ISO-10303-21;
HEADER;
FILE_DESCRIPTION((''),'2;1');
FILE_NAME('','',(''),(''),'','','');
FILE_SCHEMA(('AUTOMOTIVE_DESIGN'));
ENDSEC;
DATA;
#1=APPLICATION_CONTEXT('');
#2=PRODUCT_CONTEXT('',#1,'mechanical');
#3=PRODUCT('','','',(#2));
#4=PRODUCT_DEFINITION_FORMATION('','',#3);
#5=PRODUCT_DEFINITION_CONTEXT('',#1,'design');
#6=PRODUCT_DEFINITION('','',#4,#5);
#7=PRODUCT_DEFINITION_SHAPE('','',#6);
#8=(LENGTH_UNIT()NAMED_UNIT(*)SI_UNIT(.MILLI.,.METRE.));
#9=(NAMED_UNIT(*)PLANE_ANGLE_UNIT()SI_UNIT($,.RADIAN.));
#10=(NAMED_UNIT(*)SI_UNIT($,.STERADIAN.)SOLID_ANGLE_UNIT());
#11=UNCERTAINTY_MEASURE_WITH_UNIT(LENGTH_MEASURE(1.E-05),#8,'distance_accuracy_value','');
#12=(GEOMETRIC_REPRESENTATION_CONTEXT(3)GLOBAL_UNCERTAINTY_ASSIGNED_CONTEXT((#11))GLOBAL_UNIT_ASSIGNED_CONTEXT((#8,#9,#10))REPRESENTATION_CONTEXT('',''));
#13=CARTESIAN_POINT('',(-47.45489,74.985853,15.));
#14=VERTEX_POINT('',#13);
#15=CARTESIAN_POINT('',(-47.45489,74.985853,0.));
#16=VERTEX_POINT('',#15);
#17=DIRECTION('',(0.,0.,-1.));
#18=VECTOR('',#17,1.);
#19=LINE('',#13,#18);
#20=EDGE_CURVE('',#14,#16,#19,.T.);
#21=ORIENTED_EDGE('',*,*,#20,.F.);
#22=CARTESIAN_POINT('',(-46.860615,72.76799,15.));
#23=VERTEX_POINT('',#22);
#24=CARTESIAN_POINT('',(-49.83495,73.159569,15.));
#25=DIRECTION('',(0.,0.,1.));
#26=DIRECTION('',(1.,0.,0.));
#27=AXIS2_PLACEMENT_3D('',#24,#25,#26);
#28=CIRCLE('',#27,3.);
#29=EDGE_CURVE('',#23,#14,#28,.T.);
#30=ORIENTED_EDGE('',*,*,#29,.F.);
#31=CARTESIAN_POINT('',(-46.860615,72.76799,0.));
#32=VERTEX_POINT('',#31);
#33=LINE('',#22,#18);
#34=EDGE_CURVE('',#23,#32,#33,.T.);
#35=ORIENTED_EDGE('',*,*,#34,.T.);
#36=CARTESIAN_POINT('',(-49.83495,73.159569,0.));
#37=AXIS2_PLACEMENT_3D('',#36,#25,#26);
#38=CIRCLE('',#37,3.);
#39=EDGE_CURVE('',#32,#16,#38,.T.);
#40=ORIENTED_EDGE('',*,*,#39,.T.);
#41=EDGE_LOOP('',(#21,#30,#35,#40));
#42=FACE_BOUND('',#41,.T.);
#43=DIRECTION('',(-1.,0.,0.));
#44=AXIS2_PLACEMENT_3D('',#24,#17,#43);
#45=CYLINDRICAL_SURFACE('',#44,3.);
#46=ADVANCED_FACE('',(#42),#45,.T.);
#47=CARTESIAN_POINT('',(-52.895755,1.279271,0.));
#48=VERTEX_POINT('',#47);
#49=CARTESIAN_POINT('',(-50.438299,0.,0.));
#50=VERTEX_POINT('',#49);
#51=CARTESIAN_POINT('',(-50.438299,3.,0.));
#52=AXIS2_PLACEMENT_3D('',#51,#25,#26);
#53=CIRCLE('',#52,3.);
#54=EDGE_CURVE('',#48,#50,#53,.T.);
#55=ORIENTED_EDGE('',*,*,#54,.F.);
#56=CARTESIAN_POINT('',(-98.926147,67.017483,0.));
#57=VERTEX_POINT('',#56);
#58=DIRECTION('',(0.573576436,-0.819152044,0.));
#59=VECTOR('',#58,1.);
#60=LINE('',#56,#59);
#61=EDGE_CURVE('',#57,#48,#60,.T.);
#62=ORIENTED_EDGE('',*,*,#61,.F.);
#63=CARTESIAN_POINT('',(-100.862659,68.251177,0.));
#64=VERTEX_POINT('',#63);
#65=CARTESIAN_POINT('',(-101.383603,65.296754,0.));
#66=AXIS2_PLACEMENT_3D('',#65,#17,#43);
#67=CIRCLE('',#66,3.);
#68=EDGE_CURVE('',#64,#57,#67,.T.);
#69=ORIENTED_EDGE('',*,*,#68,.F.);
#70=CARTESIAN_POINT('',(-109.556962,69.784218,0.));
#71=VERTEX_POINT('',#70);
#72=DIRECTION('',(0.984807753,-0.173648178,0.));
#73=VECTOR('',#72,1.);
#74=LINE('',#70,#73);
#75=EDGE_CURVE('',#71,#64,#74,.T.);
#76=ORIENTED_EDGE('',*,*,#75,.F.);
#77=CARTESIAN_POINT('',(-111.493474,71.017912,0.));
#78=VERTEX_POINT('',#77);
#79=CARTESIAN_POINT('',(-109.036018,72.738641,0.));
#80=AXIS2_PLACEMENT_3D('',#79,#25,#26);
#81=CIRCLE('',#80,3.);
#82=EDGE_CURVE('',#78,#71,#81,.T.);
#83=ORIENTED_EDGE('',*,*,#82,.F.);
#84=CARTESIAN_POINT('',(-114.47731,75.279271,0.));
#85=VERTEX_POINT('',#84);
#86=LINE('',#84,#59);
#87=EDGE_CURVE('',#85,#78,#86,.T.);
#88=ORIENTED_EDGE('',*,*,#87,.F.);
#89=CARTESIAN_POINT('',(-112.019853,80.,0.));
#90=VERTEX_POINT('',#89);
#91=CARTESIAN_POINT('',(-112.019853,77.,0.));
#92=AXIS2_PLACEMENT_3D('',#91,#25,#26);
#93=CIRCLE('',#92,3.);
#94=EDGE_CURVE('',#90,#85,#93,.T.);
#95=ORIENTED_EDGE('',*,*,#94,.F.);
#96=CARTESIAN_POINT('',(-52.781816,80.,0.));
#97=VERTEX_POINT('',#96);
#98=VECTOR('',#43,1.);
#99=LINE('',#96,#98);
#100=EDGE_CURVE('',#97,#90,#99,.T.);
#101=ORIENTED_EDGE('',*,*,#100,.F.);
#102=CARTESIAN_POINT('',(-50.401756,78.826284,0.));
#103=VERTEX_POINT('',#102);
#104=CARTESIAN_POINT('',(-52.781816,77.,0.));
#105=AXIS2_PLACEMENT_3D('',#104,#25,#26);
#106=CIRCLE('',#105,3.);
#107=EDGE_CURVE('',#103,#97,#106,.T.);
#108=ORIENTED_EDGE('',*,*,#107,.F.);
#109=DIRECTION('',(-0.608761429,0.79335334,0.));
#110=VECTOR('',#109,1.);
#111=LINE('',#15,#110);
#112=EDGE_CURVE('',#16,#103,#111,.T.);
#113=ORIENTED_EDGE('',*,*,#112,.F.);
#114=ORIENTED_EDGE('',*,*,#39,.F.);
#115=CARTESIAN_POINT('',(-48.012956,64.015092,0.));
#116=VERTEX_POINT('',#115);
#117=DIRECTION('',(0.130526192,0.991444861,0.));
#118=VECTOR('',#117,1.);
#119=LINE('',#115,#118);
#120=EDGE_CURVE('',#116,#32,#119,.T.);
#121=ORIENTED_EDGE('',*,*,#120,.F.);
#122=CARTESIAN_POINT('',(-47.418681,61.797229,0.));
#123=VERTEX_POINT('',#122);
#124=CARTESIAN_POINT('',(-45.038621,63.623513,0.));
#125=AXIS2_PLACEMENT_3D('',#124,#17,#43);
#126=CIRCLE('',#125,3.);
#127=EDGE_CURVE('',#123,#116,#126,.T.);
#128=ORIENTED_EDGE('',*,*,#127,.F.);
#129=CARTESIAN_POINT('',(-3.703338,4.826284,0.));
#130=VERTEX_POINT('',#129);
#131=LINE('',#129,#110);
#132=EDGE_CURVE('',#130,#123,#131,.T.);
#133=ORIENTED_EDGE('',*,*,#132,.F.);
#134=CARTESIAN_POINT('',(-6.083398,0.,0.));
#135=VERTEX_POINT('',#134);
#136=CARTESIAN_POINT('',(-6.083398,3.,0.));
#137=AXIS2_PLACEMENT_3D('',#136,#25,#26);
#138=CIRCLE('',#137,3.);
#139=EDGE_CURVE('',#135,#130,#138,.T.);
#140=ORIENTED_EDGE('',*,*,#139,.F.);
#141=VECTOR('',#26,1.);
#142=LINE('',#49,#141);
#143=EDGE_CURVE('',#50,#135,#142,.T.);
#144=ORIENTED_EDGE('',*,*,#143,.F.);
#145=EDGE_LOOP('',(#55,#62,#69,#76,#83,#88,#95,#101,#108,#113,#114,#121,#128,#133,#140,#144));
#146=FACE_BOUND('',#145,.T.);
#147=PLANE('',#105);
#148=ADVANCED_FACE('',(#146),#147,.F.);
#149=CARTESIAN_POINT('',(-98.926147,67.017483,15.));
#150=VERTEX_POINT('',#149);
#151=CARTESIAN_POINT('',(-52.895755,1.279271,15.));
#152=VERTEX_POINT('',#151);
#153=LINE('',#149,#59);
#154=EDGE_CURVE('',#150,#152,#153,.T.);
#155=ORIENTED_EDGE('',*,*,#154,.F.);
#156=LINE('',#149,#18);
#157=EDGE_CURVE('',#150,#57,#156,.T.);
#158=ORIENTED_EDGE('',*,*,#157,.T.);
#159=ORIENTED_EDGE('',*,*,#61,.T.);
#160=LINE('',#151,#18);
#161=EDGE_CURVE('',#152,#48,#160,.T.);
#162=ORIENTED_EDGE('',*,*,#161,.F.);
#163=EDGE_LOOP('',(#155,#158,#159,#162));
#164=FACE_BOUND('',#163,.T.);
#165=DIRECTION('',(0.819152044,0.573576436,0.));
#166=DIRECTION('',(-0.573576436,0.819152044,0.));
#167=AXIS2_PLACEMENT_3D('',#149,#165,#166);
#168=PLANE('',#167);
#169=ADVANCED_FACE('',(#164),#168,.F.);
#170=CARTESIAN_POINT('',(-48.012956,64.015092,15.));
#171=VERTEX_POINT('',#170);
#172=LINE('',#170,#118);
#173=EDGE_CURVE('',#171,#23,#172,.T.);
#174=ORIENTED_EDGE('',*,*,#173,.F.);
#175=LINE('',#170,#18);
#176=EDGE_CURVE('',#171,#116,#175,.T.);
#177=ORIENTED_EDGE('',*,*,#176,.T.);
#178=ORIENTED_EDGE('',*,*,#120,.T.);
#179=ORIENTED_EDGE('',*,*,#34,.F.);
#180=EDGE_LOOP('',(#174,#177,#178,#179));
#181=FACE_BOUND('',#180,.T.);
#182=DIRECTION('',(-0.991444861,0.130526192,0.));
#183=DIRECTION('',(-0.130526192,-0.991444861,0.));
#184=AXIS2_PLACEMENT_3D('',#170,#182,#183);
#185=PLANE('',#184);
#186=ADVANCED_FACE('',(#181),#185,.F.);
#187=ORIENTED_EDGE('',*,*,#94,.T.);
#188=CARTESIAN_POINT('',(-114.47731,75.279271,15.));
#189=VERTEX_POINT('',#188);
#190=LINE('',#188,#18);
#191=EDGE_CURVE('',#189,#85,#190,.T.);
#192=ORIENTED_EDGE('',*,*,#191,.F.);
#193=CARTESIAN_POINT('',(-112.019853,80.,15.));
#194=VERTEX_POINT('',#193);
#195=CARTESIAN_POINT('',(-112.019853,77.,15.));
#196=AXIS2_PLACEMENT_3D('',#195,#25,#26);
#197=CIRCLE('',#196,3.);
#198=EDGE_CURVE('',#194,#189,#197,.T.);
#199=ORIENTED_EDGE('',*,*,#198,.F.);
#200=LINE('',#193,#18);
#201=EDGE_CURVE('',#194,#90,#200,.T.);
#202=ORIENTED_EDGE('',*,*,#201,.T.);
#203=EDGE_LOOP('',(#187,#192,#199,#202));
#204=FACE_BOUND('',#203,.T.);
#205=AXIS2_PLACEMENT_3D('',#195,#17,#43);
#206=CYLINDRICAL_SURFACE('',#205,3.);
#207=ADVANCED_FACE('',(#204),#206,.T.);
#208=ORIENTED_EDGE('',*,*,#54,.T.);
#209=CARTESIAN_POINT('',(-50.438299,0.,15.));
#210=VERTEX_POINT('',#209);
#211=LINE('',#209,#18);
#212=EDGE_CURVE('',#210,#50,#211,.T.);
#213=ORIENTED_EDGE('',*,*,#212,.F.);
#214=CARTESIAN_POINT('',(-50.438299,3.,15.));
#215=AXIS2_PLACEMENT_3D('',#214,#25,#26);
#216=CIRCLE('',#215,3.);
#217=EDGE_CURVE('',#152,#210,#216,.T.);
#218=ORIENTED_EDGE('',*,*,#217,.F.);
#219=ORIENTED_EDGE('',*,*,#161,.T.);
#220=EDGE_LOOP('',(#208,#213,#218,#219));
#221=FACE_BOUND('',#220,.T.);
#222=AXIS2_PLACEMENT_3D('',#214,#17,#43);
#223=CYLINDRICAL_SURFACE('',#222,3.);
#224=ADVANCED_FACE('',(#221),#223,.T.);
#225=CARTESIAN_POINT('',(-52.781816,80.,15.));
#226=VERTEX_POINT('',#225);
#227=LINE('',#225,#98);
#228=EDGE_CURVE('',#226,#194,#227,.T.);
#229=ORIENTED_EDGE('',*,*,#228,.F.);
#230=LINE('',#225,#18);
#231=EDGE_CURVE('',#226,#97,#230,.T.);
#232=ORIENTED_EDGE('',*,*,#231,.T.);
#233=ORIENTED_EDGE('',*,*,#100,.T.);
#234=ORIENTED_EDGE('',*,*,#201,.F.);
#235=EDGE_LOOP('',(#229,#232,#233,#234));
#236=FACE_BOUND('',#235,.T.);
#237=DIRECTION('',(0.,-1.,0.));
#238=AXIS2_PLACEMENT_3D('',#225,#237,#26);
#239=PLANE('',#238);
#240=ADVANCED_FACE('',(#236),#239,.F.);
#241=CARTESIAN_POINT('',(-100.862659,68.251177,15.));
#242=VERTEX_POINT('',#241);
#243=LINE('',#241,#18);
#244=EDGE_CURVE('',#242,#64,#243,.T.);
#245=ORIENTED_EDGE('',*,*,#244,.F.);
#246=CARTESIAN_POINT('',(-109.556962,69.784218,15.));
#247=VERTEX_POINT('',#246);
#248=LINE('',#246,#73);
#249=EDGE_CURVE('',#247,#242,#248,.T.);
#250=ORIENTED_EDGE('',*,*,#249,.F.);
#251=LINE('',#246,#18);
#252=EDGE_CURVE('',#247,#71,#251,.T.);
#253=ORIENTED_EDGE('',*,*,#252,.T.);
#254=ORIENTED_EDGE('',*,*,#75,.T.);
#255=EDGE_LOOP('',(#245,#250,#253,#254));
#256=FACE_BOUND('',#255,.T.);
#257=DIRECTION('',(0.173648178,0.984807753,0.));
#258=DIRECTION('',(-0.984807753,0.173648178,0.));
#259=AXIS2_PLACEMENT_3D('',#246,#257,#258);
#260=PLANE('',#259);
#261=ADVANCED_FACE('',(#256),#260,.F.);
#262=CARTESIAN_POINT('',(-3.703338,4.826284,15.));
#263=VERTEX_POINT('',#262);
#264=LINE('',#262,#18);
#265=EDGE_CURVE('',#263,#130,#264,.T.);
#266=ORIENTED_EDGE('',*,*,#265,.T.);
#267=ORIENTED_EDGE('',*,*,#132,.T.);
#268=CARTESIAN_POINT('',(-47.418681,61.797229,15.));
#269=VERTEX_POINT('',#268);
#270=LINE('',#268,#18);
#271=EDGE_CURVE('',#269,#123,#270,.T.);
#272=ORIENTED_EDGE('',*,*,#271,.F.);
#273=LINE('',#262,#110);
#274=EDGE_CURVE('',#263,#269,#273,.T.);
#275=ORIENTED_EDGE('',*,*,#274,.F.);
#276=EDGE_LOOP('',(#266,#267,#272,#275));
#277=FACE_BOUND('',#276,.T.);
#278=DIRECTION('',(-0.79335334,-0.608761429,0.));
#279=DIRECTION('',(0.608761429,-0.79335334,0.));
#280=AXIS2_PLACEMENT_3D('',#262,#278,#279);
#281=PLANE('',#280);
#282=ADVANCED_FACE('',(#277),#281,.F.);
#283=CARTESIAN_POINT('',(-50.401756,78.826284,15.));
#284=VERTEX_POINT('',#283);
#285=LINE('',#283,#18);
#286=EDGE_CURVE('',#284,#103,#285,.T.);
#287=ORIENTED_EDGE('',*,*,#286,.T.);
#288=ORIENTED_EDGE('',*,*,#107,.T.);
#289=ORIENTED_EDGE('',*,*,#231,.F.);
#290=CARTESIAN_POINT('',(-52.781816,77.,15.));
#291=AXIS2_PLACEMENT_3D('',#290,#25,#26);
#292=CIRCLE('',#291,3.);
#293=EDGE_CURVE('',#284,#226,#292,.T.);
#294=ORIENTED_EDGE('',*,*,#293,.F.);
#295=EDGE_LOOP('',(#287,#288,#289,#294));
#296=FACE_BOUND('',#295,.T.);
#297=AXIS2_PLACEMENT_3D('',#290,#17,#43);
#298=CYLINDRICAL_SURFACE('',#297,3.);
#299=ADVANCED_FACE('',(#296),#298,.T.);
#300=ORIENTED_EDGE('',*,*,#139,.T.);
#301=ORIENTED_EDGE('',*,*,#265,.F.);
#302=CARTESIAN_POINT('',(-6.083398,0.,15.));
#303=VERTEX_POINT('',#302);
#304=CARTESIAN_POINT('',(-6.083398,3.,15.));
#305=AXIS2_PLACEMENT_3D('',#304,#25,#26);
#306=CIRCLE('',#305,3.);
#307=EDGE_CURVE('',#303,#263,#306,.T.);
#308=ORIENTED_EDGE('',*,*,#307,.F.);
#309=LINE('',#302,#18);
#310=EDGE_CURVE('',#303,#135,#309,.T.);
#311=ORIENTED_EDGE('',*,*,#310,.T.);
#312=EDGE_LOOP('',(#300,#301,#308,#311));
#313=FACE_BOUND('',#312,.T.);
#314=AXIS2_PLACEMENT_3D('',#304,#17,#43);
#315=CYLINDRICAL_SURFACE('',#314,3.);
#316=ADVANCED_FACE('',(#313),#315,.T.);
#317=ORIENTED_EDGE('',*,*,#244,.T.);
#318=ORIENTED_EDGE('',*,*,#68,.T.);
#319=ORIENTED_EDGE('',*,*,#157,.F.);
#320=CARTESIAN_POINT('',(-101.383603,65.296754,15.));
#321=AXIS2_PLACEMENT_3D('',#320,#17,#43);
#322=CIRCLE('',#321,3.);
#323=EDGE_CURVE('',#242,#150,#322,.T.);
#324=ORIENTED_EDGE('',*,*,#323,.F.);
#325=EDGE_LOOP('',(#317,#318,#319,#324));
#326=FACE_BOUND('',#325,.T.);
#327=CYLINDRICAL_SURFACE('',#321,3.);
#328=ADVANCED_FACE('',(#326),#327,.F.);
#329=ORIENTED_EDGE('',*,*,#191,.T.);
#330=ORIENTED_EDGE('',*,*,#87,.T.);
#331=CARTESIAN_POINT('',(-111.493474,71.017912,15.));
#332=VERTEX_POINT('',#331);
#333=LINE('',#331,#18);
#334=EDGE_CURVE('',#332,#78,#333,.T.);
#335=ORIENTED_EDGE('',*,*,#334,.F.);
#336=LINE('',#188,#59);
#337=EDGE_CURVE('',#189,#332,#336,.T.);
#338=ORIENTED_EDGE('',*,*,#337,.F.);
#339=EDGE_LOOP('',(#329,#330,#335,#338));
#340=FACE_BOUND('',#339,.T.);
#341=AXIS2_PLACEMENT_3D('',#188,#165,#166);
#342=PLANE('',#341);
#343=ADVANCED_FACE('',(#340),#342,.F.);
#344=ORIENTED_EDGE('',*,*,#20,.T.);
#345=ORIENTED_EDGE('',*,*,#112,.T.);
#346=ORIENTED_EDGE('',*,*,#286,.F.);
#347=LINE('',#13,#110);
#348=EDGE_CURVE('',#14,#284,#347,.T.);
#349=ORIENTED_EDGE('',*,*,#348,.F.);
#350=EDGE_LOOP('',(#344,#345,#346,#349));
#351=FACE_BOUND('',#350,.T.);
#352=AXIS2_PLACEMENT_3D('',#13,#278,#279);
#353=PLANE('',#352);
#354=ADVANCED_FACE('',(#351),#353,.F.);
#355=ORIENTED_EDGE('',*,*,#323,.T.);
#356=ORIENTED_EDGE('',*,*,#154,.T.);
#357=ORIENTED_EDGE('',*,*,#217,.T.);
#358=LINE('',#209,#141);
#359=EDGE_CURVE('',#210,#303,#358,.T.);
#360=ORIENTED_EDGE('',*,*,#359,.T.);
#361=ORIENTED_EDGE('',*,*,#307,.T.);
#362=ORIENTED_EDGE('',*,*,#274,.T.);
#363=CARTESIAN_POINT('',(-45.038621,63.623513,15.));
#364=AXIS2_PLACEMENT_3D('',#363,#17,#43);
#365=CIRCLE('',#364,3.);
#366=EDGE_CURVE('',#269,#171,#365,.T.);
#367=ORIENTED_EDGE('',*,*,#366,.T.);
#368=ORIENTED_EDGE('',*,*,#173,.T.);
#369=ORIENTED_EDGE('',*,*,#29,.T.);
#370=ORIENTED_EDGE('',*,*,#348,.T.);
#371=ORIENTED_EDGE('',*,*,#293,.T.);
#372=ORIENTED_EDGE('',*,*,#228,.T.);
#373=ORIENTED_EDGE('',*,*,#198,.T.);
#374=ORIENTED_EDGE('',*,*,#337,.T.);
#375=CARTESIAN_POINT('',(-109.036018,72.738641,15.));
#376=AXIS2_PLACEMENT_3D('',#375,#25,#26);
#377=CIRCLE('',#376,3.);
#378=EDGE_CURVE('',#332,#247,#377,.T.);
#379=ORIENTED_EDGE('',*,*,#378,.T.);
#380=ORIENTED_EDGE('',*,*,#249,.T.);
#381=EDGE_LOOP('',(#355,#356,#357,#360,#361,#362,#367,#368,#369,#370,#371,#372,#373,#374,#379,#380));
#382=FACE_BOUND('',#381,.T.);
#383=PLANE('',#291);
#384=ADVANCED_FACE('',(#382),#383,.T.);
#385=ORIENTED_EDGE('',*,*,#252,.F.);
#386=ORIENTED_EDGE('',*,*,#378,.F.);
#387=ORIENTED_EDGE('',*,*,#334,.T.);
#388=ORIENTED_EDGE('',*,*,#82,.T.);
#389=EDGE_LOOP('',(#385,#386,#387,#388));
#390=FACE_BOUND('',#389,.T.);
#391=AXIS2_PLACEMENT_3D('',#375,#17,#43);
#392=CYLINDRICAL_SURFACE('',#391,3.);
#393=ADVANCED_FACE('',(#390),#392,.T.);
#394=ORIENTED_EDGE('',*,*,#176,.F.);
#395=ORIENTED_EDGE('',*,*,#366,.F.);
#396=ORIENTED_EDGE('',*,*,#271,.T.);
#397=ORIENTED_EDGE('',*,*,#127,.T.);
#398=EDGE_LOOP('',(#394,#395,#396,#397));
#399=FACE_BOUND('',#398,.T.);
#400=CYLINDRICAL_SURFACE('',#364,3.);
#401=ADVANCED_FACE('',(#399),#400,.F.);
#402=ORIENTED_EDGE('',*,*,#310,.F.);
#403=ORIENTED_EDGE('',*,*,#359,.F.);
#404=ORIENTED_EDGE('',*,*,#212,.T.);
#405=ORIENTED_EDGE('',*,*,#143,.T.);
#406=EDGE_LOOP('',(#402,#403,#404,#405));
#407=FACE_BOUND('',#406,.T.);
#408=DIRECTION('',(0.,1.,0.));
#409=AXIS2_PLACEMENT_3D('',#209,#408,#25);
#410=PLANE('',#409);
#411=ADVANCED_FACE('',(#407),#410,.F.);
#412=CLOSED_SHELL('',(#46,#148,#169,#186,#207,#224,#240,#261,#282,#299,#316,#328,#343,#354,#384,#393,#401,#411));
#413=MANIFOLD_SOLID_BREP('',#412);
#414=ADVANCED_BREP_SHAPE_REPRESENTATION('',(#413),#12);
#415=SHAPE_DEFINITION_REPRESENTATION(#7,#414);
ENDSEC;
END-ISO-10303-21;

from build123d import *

# Parameters (mm, degrees)
EXTRUDE1_DEPTH = 15


with BuildPart() as part:
    # Sketch1 → Extrude1 (new body)
    with BuildSketch(Plane.XY):
        with BuildLine():
            Line((-3.703338185, 4.826284287), (-47.418681368, 61.797228706))
            ThreePointArc((-47.418681368, 61.797228706), (-47.936398826, 62.847055857), (-48.012955931, 64.015091569))
            Line((-48.012955931, 64.015091569), (-46.860614956, 72.767990276))
            ThreePointArc((-46.860614956, 72.767990276), (-46.937172061, 73.936025988), (-47.454889519, 74.98585314))
            Line((-47.454889519, 74.98585314), (-50.401755983, 78.826284287))
            ThreePointArc((-50.401755983, 78.826284287), (-51.454949934, 79.690618225), (-52.781816004, 80))
            Line((-52.781816004, 80), (-112.019853386, 80))
            ThreePointArc((-112.019853386, 80), (-114.680885885, 78.38524584), (-114.477309519, 75.279270691))
            Line((-114.477309519, 75.279270691), (-111.493473802, 71.017911659))
            ThreePointArc((-111.493473802, 71.017911659), (-110.647916494, 70.208466631), (-109.556962202, 69.784217709))
            Line((-109.556962202, 69.784217709), (-100.862658723, 68.251177427))
            ThreePointArc((-100.862658723, 68.251177427), (-99.77170443, 67.826928506), (-98.926147123, 67.017483477))
            Line((-98.926147123, 67.017483477), (-52.895754981, 1.279270691))
            ThreePointArc((-52.895754981, 1.279270691), (-51.823544688, 0.3389675), (-50.438298848, 0))
            Line((-50.438298848, 0), (-6.083398206, 0))
            ThreePointArc((-6.083398206, 0), (-3.392779981, 1.673133929), (-3.703338185, 4.826284287))
        make_face()
    extrude(amount=EXTRUDE1_DEPTH)


solid = part.part
